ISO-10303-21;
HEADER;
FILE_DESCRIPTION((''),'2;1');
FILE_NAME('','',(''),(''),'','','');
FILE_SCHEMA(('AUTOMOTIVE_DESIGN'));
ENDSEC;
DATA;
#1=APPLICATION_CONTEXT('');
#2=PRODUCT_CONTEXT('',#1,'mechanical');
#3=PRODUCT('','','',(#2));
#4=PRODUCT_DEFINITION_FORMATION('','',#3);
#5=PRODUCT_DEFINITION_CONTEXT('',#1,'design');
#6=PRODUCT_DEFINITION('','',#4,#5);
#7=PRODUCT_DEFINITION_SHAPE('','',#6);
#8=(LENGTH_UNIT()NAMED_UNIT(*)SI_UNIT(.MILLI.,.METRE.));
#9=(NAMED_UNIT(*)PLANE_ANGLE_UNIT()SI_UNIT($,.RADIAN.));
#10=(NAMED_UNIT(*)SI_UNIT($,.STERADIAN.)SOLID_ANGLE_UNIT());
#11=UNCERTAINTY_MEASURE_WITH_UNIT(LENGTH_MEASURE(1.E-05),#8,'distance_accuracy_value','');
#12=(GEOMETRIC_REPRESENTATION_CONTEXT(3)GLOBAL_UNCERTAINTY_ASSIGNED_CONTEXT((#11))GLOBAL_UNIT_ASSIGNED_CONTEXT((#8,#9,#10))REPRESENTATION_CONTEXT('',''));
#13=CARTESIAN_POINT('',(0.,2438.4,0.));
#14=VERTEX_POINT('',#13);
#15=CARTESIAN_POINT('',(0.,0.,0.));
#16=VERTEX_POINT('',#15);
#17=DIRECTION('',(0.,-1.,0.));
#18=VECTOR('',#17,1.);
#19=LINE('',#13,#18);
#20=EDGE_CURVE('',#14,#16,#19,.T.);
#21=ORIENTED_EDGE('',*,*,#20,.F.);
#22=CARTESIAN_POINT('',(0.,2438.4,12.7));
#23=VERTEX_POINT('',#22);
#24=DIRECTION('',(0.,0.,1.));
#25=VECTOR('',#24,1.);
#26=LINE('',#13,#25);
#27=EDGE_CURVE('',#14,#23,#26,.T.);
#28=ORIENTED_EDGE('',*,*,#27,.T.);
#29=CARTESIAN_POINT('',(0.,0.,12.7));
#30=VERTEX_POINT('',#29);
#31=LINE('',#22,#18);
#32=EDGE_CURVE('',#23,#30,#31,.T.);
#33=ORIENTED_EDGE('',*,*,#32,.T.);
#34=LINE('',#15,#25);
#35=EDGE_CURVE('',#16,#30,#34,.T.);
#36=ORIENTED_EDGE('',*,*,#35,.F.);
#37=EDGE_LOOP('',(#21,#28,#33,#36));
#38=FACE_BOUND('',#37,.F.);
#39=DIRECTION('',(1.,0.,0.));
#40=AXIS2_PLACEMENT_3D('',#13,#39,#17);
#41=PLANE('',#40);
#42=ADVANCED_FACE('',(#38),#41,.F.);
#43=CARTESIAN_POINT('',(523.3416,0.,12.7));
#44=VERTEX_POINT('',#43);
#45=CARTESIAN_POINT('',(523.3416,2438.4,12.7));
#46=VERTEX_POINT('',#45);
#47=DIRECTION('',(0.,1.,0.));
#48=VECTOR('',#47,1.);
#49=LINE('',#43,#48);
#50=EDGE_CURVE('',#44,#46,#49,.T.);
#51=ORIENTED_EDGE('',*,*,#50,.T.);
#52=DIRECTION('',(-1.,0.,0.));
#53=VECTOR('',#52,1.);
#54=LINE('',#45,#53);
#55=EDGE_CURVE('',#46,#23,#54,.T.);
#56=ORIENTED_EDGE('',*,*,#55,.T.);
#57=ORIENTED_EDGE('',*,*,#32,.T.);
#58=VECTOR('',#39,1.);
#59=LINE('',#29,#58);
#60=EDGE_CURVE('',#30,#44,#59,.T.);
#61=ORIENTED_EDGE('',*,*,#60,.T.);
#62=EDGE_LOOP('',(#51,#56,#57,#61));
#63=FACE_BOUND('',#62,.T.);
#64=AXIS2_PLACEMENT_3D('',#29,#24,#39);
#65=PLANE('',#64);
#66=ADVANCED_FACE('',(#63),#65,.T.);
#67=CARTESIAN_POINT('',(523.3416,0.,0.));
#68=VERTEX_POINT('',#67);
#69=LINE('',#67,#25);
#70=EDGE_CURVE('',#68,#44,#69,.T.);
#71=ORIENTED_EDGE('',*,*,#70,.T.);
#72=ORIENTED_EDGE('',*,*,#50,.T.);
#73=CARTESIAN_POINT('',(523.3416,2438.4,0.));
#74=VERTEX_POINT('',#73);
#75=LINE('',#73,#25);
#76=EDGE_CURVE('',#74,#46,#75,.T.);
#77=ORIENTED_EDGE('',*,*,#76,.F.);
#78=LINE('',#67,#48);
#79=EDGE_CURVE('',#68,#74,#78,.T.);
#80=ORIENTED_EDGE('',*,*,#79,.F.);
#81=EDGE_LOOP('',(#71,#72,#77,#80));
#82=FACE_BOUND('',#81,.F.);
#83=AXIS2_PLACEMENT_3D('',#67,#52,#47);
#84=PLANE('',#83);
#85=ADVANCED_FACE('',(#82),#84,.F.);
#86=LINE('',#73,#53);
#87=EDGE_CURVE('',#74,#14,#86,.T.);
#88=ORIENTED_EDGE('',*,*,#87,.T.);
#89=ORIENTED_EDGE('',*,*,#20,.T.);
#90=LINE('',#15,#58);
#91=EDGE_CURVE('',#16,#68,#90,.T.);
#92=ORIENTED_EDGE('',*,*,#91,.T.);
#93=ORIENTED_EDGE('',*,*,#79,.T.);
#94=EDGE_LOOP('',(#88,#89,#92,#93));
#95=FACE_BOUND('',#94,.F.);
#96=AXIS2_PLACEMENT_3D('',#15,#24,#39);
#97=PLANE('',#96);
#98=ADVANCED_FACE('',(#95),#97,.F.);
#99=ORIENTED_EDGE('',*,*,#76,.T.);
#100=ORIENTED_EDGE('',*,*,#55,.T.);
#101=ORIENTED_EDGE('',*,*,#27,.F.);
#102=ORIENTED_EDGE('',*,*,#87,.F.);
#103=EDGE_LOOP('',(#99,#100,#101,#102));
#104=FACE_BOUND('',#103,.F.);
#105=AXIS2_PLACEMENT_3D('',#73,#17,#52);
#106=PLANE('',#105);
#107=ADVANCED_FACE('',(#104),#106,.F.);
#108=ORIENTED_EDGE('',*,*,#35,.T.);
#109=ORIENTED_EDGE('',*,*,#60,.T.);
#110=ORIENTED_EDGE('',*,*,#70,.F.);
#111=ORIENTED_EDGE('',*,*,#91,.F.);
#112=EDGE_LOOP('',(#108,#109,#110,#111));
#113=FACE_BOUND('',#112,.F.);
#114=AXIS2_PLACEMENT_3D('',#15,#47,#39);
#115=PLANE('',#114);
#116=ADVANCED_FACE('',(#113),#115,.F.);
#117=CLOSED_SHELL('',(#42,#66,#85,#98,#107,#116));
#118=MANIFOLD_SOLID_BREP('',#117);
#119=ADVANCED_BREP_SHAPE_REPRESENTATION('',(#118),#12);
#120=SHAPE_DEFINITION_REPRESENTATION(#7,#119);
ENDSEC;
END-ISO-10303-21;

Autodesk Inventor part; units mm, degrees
ref_plane "YZ Plane" through (0, 0, 0) normal (1, 0, 0) x (0, 1, 0)
ref_plane "XZ Plane" through (0, 0, 0) normal (0, 1, 0) x (-1, 0, 0)
ref_plane "XY Plane" through (0, 0, 0) normal (0, 0, 1) x (1, 0, 0)
sketch "Sketch1" plane through (0, 0, 0) normal (0, 0, 1) x (1, 0, 0)
  line L0 (0, 0) -> (523.3416, 0)
  line L1 (523.3416, 0) -> (523.3416, 2438.4)
  line L2 (523.3416, 2438.4) -> (0, 2438.4)
  line L3 (0, 2438.4) -> (0, 0)
  dimension "d2" = 2438.4
  dimension "d3" = 523.3416
extrude "Extrusion1" add sketch "Sketch1" along normal blind 12.7
properties part number "OSB_For_Walls_With_Dimensions_20.604_x_96_Inches" material "Wood (Birch)"
